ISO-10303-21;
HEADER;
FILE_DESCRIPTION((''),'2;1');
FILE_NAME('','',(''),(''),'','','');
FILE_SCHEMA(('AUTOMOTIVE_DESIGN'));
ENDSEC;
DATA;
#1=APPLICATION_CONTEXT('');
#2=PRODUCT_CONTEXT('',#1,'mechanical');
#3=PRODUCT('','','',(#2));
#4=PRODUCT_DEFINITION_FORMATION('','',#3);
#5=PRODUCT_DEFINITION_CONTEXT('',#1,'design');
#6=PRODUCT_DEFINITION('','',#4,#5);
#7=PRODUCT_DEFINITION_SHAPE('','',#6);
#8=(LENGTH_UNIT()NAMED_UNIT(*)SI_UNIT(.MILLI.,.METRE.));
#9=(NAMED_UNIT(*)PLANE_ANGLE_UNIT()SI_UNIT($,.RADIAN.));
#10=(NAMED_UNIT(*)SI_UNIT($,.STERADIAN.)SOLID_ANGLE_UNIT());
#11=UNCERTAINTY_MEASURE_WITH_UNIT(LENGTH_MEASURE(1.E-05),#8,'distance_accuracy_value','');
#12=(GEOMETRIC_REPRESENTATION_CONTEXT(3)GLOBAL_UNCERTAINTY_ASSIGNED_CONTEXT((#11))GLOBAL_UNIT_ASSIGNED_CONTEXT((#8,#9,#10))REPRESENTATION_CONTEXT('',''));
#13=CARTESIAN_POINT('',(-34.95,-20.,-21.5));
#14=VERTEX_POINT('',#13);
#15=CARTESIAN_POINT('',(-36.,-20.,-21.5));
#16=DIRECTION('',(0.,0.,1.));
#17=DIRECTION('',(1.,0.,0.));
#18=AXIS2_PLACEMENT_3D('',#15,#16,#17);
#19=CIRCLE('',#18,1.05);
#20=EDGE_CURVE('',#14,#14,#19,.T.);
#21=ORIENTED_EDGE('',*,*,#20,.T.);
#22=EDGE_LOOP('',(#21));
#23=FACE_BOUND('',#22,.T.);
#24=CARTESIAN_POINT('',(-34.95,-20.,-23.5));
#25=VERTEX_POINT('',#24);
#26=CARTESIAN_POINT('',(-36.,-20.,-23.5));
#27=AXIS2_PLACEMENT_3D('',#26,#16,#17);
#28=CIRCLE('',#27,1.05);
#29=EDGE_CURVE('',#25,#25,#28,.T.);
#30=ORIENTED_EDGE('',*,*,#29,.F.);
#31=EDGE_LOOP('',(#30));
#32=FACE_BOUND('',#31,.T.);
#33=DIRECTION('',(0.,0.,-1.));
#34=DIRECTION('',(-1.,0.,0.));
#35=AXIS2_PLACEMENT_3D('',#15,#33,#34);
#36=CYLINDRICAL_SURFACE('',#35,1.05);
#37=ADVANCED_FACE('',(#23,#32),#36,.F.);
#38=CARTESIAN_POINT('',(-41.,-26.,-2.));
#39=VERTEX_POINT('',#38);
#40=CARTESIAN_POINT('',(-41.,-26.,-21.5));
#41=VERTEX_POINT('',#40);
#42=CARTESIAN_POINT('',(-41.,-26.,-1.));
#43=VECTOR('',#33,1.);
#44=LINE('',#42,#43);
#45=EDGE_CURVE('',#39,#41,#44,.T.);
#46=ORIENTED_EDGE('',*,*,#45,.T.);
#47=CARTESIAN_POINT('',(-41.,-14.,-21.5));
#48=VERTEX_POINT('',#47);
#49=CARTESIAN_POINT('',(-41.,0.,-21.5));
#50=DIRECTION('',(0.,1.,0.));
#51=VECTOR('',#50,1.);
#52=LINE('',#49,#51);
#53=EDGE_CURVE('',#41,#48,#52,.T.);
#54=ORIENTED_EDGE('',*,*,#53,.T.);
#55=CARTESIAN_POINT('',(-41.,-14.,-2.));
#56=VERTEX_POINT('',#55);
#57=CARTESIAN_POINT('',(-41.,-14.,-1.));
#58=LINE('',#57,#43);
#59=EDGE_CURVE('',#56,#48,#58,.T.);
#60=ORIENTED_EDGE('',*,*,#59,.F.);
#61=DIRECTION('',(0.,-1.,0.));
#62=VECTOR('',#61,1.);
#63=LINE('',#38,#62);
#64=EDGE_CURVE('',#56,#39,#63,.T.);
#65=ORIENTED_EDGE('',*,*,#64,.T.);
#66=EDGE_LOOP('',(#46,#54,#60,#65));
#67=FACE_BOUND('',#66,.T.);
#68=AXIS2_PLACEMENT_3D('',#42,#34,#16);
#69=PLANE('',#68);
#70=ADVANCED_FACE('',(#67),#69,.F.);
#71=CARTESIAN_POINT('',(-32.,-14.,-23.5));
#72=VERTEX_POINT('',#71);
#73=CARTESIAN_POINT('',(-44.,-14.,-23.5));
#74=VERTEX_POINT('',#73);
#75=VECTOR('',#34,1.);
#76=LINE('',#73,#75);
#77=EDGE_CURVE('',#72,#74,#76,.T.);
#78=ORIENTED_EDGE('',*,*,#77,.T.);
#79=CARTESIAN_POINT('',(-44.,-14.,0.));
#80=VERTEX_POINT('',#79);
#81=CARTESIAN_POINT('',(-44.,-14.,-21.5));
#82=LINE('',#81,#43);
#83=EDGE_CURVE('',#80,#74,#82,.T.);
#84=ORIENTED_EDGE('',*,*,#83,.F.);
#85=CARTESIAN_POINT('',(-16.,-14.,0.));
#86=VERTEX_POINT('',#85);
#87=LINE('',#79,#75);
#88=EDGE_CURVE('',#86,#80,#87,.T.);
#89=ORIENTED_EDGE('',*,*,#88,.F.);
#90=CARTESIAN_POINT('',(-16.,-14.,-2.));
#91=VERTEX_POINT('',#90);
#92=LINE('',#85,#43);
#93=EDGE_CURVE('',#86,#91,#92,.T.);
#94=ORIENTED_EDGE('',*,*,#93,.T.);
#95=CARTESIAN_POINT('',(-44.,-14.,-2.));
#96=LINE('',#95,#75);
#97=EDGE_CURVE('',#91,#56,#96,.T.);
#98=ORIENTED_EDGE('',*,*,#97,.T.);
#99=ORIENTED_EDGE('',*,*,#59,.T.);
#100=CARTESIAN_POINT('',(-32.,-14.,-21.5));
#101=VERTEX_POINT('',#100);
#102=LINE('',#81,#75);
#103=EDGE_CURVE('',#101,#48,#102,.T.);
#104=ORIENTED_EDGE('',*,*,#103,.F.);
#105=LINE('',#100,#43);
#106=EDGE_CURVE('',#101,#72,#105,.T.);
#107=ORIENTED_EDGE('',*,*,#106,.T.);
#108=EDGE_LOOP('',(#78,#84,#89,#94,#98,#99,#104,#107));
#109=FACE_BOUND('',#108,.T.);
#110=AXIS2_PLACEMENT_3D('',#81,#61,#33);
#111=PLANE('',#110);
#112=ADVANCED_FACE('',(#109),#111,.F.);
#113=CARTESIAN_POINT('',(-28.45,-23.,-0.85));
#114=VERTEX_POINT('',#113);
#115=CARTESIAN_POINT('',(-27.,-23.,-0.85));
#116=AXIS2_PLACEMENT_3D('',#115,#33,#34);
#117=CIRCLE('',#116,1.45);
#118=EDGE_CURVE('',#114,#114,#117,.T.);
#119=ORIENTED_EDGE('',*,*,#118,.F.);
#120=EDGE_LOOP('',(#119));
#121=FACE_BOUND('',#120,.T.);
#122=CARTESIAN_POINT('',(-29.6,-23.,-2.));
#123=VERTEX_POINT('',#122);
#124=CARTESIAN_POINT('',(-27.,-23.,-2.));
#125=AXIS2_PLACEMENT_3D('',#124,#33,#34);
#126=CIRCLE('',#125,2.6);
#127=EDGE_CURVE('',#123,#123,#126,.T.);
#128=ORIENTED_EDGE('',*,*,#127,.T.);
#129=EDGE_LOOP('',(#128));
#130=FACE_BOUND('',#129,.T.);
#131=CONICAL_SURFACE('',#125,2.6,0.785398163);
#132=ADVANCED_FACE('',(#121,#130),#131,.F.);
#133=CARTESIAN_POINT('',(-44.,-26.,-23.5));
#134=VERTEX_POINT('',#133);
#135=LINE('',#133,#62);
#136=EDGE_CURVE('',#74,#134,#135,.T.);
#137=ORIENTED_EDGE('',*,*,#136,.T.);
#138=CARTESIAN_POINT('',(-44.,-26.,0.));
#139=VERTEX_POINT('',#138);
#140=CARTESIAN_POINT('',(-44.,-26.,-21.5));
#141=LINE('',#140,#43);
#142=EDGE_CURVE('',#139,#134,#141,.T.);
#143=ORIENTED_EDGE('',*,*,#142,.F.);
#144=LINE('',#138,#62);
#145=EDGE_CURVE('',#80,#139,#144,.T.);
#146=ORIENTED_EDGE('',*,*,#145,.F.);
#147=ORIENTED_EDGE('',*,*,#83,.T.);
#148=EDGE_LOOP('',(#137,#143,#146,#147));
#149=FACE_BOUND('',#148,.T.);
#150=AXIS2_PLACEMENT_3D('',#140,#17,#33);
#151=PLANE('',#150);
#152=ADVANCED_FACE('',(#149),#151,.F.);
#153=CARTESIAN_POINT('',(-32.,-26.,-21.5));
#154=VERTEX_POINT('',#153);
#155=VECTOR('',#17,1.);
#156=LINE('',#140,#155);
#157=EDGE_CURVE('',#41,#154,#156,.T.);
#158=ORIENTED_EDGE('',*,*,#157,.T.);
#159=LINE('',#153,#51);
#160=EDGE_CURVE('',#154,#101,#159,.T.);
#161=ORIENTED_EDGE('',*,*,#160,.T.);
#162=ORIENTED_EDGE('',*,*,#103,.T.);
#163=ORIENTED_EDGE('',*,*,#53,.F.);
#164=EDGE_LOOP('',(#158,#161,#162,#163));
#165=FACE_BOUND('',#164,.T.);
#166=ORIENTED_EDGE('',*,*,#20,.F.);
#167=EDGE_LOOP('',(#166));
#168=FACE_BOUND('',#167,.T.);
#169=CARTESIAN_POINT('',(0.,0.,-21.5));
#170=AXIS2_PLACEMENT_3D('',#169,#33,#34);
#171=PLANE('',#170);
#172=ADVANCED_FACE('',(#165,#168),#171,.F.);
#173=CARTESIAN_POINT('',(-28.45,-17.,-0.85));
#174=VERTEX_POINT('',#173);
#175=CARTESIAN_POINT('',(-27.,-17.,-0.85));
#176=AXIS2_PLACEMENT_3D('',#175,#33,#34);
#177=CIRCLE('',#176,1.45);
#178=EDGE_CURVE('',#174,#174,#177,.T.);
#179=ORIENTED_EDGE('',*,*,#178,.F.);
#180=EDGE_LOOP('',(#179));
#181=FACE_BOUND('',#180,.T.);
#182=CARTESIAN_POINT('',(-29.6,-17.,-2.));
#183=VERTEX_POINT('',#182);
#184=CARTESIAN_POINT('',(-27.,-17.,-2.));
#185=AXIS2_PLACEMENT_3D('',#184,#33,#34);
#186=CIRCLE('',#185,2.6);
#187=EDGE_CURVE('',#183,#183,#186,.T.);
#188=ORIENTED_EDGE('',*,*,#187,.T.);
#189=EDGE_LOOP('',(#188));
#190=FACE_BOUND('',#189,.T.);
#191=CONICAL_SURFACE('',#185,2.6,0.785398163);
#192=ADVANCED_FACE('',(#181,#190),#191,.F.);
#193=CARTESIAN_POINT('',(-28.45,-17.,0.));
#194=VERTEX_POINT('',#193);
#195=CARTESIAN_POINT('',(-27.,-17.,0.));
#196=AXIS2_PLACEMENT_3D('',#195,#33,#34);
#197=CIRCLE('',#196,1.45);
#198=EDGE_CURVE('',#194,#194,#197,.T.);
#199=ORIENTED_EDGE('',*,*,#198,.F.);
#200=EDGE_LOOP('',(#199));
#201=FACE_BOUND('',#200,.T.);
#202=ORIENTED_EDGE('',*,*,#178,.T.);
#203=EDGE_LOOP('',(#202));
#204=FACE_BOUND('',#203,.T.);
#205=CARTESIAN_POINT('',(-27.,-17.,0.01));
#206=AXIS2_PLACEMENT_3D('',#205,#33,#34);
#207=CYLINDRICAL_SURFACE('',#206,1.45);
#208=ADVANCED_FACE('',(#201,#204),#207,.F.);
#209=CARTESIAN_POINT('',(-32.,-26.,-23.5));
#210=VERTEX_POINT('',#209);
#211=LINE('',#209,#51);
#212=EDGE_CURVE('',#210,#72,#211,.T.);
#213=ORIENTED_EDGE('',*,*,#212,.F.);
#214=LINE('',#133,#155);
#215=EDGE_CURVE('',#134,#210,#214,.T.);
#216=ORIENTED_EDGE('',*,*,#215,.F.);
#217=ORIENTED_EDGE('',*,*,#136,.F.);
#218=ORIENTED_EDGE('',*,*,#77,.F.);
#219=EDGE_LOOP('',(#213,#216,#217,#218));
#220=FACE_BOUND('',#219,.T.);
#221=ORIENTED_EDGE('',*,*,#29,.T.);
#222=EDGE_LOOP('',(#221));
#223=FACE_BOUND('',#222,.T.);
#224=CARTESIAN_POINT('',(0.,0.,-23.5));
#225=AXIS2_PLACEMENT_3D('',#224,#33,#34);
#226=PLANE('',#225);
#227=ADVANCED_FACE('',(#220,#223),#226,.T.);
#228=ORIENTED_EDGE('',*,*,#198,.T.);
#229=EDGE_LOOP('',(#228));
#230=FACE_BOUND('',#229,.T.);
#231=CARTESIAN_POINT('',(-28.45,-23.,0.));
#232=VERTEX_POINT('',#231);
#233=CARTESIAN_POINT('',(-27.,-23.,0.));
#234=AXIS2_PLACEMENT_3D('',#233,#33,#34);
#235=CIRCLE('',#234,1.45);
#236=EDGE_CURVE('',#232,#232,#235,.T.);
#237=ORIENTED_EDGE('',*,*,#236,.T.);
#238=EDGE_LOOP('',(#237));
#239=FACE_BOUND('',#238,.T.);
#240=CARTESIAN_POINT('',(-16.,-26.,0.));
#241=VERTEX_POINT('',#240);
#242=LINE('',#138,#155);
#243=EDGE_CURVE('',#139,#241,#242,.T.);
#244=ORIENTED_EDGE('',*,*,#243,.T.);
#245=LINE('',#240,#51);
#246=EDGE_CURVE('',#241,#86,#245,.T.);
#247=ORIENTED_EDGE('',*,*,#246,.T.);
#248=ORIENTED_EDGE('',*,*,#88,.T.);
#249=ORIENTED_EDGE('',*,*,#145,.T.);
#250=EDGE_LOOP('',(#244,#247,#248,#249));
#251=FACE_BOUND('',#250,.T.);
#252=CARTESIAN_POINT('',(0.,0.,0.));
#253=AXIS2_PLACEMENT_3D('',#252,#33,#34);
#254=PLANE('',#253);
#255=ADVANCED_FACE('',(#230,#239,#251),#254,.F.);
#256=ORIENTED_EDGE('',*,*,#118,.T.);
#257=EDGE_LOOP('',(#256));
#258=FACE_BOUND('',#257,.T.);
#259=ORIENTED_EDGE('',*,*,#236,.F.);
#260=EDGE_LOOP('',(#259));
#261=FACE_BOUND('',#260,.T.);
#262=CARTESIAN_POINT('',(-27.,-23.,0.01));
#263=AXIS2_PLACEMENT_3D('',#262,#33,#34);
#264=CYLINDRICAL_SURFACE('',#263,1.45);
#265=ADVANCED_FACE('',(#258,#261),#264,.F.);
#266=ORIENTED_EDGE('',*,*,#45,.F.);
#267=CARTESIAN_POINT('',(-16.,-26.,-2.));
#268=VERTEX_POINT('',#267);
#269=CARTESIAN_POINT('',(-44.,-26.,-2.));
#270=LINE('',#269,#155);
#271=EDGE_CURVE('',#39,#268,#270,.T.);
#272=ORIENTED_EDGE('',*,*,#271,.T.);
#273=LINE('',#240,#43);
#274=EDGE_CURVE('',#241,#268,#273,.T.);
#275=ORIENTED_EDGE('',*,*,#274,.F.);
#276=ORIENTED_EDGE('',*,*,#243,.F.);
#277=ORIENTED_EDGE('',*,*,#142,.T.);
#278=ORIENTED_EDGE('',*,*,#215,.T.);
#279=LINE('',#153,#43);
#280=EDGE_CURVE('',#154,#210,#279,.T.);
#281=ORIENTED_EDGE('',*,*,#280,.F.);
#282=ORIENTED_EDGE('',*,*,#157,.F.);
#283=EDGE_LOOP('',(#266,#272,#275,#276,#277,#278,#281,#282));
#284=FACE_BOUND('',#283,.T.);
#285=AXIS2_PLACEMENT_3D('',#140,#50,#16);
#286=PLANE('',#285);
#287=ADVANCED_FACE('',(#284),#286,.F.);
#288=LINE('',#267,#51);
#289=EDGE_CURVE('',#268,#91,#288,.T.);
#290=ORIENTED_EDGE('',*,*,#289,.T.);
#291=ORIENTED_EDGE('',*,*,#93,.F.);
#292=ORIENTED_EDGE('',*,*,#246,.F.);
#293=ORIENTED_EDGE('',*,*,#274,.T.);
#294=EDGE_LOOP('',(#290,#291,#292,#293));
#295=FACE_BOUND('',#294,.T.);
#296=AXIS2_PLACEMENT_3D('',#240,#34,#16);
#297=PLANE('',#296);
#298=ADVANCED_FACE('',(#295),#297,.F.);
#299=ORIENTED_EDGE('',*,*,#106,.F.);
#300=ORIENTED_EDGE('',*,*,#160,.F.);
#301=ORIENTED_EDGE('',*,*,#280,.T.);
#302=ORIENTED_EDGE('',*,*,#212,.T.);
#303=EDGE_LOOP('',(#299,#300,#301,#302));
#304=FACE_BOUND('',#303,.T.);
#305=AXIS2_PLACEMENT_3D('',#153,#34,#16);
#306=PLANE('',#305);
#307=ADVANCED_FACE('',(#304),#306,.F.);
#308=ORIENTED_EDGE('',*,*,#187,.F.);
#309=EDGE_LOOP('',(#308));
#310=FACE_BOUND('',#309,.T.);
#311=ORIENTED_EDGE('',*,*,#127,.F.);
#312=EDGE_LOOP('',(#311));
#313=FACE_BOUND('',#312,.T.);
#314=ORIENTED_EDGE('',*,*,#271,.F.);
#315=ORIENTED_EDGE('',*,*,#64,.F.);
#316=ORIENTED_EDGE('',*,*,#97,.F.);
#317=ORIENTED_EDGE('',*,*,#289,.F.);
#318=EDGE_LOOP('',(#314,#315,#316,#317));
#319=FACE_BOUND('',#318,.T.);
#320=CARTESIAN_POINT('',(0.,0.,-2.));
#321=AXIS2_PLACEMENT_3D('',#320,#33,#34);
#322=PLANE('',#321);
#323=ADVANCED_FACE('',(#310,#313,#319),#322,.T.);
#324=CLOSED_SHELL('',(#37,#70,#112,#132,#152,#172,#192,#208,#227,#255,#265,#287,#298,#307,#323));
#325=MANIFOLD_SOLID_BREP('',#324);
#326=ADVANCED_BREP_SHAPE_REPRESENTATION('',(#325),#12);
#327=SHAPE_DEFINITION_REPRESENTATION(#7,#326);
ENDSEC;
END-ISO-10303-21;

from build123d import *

# Parameters (mm, degrees)
LINK_EYE_SHELF_START          = -23.5
SKETCH1_W                     = 12
SKETCH1_H                     = 12
SKETCH1_R                     = 1.05
LINK_EYE_SHELF_DEPTH          = 2
OUTBOARD_WEB_START            = -22.5
SKETCH2_W                     = 3
SKETCH2_H                     = 12
OUTBOARD_WEB_DEPTH            = 21.5
CARRIAGE_PLATE_FOOT_START     = -2
SKETCH3_W                     = 28
SKETCH3_H                     = 12
CARRIAGE_PLATE_FOOT_DEPTH     = 2
SKETCH6_R                     = 1.45
YTAB_D2P9_DEPTH               = 2.01
SKETCH7_R                     = 2.6
YTAB_CSK_D5P2_DEPTH           = 1.15
YTAB_CSK_D5P2_DRAFT           = -45
YTAB_CSK_D5P2_PROFILE_2_DEPTH = 1.15
YTAB_CSK_D5P2_PROFILE_2_DRAFT = -45


with BuildPart() as part:
    # Sketch1 → Link_Eye_Shelf (new body)
    with BuildSketch(Plane.XY.offset(LINK_EYE_SHELF_START)):
        with Locations((-38, -20)):
            Rectangle(SKETCH1_W, SKETCH1_H)
        with Locations((-36, -20)):
            Circle(SKETCH1_R, mode=Mode.SUBTRACT)
    extrude(amount=LINK_EYE_SHELF_DEPTH)

    # Sketch2 → Outboard_Web (add)
    with BuildSketch(Plane.XY.offset(OUTBOARD_WEB_START)):
        with Locations((-42.5, -20)):
            Rectangle(SKETCH2_W, SKETCH2_H)
    extrude(amount=OUTBOARD_WEB_DEPTH)

    # Sketch3 → Carriage_Plate_Foot (add)
    with BuildSketch(Plane.XY.offset(CARRIAGE_PLATE_FOOT_START)):
        with Locations((-30, -20)):
            Rectangle(SKETCH3_W, SKETCH3_H)
    extrude(amount=CARRIAGE_PLATE_FOOT_DEPTH)

    # Sketch6 → YTab_D2p9 (cut)
    with BuildSketch(Plane(origin=(0, 0, -2), x_dir=(-1, 0, 0), z_dir=(0, 0, -1))):
        with Locations((27, -23)):
            Circle(SKETCH6_R)
        with Locations((27, -17)):
            Circle(SKETCH6_R)
    extrude(amount=-YTAB_D2P9_DEPTH, mode=Mode.SUBTRACT)


with BuildPart() as ytab_csk_d5p2_tool:
    # Sketch7 → YTab_CSK_D5p2 (with draft: the straight prism first)
    with BuildSketch(Plane(origin=(0, 0, -2), x_dir=(-1, 0, 0), z_dir=(0, 0, -1))):
        with Locations((27, -23)):
            Circle(SKETCH7_R)
    extrude(amount=-YTAB_CSK_D5P2_DEPTH)
    # YTab_CSK_D5p2: the draft: its side faces are tilted about the plane it starts from
    ytab_csk_d5p2_sides = [ytab_csk_d5p2_tool.faces().sort_by_distance(p)[0] for p in [
        (-24.4, -23, -1.425),
    ]]
    draft(ytab_csk_d5p2_sides, Plane(origin=(0, 0, -2), x_dir=(-1, 0, 0), z_dir=(0, 0, -1)), YTAB_CSK_D5P2_DRAFT)


with BuildPart() as part_1:
    add(part.part)

    # YTab_CSK_D5p2: cut by ytab_csk_d5p2_tool
    add(ytab_csk_d5p2_tool.part, mode=Mode.SUBTRACT)


with BuildPart() as ytab_csk_d5p2_profile_2_tool:
    # Sketch7 → YTab_CSK_D5p2 profile 2 (with draft: the straight prism first)
    with BuildSketch(Plane(origin=(0, 0, -2), x_dir=(-1, 0, 0), z_dir=(0, 0, -1))):
        with Locations((27, -17)):
            Circle(SKETCH7_R)
    extrude(amount=-YTAB_CSK_D5P2_PROFILE_2_DEPTH)
    # YTab_CSK_D5p2 profile 2: the draft: its side faces are tilted about the plane it starts from
    ytab_csk_d5p2_profile_2_sides = [ytab_csk_d5p2_profile_2_tool.faces().sort_by_distance(p)[0] for p in [
        (-24.4, -17, -1.425),
    ]]
    draft(ytab_csk_d5p2_profile_2_sides, Plane(origin=(0, 0, -2), x_dir=(-1, 0, 0), z_dir=(0, 0, -1)), YTAB_CSK_D5P2_PROFILE_2_DRAFT)


with BuildPart() as part_2:
    add(part_1.part)

    # YTab_CSK_D5p2 profile 2: cut by ytab_csk_d5p2_profile_2_tool
    add(ytab_csk_d5p2_profile_2_tool.part, mode=Mode.SUBTRACT)


solid = part_2.part
